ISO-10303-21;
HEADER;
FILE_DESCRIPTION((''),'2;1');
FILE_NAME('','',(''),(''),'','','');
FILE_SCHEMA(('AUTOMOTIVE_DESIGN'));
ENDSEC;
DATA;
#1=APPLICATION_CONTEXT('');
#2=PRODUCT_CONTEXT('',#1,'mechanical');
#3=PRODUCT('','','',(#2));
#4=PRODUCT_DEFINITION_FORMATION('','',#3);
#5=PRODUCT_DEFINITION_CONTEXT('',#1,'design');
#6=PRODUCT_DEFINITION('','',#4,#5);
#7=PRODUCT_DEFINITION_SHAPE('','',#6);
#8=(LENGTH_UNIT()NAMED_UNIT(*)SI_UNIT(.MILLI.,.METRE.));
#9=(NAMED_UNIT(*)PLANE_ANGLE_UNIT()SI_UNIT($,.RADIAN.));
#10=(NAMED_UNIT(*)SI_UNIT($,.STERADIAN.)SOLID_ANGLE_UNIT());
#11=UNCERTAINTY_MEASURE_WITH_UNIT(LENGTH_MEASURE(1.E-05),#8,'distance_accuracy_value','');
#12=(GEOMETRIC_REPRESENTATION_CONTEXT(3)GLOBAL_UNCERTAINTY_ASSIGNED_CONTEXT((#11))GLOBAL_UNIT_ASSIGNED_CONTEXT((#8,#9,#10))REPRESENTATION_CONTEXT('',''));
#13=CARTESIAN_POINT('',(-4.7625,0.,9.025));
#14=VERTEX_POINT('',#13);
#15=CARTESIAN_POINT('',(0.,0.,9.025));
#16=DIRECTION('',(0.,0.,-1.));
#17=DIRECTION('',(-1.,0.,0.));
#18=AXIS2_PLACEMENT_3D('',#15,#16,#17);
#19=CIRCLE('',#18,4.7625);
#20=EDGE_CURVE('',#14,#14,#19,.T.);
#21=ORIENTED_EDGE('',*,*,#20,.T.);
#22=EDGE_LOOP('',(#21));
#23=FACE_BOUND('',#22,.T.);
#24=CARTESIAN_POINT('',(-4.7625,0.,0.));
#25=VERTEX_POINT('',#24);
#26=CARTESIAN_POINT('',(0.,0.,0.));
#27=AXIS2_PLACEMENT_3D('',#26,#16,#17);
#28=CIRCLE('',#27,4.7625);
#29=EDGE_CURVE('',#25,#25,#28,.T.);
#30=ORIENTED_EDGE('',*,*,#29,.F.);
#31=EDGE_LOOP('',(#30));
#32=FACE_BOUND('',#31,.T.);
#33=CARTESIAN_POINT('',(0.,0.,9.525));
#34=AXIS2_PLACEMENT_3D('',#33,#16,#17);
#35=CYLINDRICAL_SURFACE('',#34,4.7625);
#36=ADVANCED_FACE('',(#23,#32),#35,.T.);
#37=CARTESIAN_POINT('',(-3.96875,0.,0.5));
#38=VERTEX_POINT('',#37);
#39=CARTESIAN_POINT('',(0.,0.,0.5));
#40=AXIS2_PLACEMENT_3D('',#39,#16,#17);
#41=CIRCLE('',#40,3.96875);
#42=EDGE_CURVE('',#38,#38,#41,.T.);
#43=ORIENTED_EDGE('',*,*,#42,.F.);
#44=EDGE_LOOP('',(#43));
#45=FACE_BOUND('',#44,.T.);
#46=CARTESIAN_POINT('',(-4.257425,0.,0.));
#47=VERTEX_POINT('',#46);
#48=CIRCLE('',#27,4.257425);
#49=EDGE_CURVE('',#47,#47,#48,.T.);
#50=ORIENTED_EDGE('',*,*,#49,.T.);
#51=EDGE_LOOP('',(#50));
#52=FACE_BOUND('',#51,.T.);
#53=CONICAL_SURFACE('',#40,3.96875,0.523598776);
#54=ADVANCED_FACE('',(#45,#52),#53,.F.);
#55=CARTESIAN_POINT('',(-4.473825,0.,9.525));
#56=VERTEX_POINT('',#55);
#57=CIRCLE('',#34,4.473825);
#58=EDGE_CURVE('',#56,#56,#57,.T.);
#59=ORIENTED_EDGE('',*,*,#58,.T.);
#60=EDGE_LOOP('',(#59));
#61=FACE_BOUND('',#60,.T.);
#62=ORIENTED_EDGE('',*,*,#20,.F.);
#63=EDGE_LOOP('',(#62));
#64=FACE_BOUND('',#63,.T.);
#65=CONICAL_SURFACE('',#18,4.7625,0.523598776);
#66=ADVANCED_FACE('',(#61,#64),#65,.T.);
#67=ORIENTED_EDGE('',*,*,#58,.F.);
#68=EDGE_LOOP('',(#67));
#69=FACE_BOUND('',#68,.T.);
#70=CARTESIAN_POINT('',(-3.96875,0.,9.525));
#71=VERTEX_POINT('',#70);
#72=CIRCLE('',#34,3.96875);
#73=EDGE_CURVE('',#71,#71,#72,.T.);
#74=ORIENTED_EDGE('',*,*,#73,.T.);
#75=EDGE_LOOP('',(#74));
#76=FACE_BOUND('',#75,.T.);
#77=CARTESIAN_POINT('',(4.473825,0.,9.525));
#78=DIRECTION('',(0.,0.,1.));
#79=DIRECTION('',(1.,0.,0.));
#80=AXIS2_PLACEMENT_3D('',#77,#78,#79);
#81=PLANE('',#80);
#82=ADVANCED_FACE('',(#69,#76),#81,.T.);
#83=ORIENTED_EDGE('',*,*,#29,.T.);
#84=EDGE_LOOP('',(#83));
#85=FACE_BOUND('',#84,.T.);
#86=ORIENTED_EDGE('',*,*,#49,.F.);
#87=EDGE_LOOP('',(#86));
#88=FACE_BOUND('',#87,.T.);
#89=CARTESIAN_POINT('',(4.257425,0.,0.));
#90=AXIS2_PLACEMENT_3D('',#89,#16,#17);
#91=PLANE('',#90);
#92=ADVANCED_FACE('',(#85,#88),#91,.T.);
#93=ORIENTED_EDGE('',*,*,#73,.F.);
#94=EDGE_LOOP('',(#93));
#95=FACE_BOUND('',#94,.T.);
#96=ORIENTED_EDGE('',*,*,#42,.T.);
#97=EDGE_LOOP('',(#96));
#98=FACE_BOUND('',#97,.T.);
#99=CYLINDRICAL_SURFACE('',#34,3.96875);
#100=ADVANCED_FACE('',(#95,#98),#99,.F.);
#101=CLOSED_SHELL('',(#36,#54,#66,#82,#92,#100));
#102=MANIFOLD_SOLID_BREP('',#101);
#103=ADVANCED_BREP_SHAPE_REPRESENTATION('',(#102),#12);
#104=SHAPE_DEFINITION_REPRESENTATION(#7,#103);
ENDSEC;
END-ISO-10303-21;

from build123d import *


with BuildPart() as part:
    # Sketch1 → Revolve1 (revolve)
    with BuildSketch(Plane.XZ):
        Polygon((4.473824865, 9.525), (3.96875, 9.525), (3.96875, 0.5), (4.257425135, 0), (4.7625, 0), (4.7625, 9.025), align=None)
    revolve(axis=Axis((0, 0, 9.525), (0, 0, -1)))


solid = part.part
